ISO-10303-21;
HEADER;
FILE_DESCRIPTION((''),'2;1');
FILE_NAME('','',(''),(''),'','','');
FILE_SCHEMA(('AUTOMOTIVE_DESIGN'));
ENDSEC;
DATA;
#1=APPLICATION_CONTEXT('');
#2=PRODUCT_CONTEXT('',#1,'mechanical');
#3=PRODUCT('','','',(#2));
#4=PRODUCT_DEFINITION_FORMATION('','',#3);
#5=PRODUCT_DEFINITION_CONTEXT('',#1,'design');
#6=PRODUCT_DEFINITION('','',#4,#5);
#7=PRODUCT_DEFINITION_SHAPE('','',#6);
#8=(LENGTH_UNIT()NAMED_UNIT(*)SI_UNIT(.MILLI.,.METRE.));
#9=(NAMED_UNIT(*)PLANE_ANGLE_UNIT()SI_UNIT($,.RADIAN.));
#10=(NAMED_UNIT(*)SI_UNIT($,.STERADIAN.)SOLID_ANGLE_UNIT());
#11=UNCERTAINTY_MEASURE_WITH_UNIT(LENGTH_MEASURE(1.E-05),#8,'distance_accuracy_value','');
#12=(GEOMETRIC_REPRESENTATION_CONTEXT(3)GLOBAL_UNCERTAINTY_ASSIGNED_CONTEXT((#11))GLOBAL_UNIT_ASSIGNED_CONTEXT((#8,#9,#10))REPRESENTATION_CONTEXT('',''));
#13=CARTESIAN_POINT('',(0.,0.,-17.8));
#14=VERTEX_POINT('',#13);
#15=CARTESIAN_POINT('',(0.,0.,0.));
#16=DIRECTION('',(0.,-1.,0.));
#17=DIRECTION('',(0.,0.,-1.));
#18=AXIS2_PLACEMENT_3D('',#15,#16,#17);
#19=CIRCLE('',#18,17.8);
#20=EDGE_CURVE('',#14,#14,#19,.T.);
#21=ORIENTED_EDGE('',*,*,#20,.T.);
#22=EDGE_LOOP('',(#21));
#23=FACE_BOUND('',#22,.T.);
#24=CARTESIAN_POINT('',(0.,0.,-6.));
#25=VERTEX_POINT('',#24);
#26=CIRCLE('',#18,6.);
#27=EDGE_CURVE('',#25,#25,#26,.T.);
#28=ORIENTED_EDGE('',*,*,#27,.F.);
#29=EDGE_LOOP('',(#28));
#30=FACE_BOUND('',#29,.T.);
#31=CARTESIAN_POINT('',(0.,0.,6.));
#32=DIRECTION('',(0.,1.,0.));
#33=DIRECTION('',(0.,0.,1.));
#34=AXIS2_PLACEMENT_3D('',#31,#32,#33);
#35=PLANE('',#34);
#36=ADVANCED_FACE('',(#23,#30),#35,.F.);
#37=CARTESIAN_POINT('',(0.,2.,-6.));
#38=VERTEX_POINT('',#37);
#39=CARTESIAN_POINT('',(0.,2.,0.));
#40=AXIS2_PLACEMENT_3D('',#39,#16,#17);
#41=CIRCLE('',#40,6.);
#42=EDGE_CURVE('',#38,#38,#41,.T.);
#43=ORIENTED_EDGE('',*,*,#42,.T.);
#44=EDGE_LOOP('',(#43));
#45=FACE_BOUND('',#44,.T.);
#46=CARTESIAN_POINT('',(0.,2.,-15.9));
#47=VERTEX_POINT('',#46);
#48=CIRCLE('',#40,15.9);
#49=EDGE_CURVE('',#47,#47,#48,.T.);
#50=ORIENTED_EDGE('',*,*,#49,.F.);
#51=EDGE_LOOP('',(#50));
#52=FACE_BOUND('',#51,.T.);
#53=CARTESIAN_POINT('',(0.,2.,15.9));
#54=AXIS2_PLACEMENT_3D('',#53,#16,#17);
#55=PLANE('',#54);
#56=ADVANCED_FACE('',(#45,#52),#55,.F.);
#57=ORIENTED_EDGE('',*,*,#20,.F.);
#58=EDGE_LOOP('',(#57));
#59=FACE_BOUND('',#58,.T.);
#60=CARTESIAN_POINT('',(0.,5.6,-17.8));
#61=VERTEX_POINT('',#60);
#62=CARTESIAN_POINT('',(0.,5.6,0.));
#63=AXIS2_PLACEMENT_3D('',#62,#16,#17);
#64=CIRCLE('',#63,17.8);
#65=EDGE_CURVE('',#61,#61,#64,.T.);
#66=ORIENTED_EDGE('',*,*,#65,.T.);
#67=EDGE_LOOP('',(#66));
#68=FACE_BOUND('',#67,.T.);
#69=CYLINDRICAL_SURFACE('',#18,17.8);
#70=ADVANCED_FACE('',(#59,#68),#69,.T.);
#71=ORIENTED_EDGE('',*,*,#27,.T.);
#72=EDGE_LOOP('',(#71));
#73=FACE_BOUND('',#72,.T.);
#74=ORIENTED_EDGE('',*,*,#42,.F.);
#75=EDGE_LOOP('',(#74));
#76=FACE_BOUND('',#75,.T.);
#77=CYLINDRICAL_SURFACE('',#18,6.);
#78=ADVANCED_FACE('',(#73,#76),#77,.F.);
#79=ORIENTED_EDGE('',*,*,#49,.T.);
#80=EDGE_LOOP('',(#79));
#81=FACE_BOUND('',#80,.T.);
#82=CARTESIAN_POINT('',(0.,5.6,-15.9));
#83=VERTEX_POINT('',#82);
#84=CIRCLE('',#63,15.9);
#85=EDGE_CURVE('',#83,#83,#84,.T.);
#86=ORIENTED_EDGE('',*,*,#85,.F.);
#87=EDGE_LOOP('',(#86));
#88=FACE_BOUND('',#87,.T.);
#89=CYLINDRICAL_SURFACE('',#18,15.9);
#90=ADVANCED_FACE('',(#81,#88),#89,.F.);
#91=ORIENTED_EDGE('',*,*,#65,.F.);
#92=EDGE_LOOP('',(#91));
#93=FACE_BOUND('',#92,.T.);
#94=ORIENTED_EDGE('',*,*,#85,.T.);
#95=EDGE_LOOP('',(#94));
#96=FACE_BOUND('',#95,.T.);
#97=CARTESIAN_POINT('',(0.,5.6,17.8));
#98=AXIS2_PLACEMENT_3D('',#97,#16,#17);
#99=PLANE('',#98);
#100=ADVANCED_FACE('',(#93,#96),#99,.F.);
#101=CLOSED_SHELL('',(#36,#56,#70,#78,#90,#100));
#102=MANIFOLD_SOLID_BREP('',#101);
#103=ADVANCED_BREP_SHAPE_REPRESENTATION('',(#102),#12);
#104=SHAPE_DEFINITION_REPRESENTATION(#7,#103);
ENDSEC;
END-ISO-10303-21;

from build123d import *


with BuildPart() as part:
    # Skizze1 → Rotation1 (revolve)
    with BuildSketch(Plane(origin=(0, 0, 0), x_dir=(0, 0, -1), z_dir=(1, 0, 0))):
        Polygon((-6, 0), (-17.8, 0), (-17.8, 5.6), (-15.9, 5.6), (-15.9, 2), (-6, 2), align=None)
    revolve(axis=Axis((0, 0, 0), (0, 1, 0)))


solid = part.part
